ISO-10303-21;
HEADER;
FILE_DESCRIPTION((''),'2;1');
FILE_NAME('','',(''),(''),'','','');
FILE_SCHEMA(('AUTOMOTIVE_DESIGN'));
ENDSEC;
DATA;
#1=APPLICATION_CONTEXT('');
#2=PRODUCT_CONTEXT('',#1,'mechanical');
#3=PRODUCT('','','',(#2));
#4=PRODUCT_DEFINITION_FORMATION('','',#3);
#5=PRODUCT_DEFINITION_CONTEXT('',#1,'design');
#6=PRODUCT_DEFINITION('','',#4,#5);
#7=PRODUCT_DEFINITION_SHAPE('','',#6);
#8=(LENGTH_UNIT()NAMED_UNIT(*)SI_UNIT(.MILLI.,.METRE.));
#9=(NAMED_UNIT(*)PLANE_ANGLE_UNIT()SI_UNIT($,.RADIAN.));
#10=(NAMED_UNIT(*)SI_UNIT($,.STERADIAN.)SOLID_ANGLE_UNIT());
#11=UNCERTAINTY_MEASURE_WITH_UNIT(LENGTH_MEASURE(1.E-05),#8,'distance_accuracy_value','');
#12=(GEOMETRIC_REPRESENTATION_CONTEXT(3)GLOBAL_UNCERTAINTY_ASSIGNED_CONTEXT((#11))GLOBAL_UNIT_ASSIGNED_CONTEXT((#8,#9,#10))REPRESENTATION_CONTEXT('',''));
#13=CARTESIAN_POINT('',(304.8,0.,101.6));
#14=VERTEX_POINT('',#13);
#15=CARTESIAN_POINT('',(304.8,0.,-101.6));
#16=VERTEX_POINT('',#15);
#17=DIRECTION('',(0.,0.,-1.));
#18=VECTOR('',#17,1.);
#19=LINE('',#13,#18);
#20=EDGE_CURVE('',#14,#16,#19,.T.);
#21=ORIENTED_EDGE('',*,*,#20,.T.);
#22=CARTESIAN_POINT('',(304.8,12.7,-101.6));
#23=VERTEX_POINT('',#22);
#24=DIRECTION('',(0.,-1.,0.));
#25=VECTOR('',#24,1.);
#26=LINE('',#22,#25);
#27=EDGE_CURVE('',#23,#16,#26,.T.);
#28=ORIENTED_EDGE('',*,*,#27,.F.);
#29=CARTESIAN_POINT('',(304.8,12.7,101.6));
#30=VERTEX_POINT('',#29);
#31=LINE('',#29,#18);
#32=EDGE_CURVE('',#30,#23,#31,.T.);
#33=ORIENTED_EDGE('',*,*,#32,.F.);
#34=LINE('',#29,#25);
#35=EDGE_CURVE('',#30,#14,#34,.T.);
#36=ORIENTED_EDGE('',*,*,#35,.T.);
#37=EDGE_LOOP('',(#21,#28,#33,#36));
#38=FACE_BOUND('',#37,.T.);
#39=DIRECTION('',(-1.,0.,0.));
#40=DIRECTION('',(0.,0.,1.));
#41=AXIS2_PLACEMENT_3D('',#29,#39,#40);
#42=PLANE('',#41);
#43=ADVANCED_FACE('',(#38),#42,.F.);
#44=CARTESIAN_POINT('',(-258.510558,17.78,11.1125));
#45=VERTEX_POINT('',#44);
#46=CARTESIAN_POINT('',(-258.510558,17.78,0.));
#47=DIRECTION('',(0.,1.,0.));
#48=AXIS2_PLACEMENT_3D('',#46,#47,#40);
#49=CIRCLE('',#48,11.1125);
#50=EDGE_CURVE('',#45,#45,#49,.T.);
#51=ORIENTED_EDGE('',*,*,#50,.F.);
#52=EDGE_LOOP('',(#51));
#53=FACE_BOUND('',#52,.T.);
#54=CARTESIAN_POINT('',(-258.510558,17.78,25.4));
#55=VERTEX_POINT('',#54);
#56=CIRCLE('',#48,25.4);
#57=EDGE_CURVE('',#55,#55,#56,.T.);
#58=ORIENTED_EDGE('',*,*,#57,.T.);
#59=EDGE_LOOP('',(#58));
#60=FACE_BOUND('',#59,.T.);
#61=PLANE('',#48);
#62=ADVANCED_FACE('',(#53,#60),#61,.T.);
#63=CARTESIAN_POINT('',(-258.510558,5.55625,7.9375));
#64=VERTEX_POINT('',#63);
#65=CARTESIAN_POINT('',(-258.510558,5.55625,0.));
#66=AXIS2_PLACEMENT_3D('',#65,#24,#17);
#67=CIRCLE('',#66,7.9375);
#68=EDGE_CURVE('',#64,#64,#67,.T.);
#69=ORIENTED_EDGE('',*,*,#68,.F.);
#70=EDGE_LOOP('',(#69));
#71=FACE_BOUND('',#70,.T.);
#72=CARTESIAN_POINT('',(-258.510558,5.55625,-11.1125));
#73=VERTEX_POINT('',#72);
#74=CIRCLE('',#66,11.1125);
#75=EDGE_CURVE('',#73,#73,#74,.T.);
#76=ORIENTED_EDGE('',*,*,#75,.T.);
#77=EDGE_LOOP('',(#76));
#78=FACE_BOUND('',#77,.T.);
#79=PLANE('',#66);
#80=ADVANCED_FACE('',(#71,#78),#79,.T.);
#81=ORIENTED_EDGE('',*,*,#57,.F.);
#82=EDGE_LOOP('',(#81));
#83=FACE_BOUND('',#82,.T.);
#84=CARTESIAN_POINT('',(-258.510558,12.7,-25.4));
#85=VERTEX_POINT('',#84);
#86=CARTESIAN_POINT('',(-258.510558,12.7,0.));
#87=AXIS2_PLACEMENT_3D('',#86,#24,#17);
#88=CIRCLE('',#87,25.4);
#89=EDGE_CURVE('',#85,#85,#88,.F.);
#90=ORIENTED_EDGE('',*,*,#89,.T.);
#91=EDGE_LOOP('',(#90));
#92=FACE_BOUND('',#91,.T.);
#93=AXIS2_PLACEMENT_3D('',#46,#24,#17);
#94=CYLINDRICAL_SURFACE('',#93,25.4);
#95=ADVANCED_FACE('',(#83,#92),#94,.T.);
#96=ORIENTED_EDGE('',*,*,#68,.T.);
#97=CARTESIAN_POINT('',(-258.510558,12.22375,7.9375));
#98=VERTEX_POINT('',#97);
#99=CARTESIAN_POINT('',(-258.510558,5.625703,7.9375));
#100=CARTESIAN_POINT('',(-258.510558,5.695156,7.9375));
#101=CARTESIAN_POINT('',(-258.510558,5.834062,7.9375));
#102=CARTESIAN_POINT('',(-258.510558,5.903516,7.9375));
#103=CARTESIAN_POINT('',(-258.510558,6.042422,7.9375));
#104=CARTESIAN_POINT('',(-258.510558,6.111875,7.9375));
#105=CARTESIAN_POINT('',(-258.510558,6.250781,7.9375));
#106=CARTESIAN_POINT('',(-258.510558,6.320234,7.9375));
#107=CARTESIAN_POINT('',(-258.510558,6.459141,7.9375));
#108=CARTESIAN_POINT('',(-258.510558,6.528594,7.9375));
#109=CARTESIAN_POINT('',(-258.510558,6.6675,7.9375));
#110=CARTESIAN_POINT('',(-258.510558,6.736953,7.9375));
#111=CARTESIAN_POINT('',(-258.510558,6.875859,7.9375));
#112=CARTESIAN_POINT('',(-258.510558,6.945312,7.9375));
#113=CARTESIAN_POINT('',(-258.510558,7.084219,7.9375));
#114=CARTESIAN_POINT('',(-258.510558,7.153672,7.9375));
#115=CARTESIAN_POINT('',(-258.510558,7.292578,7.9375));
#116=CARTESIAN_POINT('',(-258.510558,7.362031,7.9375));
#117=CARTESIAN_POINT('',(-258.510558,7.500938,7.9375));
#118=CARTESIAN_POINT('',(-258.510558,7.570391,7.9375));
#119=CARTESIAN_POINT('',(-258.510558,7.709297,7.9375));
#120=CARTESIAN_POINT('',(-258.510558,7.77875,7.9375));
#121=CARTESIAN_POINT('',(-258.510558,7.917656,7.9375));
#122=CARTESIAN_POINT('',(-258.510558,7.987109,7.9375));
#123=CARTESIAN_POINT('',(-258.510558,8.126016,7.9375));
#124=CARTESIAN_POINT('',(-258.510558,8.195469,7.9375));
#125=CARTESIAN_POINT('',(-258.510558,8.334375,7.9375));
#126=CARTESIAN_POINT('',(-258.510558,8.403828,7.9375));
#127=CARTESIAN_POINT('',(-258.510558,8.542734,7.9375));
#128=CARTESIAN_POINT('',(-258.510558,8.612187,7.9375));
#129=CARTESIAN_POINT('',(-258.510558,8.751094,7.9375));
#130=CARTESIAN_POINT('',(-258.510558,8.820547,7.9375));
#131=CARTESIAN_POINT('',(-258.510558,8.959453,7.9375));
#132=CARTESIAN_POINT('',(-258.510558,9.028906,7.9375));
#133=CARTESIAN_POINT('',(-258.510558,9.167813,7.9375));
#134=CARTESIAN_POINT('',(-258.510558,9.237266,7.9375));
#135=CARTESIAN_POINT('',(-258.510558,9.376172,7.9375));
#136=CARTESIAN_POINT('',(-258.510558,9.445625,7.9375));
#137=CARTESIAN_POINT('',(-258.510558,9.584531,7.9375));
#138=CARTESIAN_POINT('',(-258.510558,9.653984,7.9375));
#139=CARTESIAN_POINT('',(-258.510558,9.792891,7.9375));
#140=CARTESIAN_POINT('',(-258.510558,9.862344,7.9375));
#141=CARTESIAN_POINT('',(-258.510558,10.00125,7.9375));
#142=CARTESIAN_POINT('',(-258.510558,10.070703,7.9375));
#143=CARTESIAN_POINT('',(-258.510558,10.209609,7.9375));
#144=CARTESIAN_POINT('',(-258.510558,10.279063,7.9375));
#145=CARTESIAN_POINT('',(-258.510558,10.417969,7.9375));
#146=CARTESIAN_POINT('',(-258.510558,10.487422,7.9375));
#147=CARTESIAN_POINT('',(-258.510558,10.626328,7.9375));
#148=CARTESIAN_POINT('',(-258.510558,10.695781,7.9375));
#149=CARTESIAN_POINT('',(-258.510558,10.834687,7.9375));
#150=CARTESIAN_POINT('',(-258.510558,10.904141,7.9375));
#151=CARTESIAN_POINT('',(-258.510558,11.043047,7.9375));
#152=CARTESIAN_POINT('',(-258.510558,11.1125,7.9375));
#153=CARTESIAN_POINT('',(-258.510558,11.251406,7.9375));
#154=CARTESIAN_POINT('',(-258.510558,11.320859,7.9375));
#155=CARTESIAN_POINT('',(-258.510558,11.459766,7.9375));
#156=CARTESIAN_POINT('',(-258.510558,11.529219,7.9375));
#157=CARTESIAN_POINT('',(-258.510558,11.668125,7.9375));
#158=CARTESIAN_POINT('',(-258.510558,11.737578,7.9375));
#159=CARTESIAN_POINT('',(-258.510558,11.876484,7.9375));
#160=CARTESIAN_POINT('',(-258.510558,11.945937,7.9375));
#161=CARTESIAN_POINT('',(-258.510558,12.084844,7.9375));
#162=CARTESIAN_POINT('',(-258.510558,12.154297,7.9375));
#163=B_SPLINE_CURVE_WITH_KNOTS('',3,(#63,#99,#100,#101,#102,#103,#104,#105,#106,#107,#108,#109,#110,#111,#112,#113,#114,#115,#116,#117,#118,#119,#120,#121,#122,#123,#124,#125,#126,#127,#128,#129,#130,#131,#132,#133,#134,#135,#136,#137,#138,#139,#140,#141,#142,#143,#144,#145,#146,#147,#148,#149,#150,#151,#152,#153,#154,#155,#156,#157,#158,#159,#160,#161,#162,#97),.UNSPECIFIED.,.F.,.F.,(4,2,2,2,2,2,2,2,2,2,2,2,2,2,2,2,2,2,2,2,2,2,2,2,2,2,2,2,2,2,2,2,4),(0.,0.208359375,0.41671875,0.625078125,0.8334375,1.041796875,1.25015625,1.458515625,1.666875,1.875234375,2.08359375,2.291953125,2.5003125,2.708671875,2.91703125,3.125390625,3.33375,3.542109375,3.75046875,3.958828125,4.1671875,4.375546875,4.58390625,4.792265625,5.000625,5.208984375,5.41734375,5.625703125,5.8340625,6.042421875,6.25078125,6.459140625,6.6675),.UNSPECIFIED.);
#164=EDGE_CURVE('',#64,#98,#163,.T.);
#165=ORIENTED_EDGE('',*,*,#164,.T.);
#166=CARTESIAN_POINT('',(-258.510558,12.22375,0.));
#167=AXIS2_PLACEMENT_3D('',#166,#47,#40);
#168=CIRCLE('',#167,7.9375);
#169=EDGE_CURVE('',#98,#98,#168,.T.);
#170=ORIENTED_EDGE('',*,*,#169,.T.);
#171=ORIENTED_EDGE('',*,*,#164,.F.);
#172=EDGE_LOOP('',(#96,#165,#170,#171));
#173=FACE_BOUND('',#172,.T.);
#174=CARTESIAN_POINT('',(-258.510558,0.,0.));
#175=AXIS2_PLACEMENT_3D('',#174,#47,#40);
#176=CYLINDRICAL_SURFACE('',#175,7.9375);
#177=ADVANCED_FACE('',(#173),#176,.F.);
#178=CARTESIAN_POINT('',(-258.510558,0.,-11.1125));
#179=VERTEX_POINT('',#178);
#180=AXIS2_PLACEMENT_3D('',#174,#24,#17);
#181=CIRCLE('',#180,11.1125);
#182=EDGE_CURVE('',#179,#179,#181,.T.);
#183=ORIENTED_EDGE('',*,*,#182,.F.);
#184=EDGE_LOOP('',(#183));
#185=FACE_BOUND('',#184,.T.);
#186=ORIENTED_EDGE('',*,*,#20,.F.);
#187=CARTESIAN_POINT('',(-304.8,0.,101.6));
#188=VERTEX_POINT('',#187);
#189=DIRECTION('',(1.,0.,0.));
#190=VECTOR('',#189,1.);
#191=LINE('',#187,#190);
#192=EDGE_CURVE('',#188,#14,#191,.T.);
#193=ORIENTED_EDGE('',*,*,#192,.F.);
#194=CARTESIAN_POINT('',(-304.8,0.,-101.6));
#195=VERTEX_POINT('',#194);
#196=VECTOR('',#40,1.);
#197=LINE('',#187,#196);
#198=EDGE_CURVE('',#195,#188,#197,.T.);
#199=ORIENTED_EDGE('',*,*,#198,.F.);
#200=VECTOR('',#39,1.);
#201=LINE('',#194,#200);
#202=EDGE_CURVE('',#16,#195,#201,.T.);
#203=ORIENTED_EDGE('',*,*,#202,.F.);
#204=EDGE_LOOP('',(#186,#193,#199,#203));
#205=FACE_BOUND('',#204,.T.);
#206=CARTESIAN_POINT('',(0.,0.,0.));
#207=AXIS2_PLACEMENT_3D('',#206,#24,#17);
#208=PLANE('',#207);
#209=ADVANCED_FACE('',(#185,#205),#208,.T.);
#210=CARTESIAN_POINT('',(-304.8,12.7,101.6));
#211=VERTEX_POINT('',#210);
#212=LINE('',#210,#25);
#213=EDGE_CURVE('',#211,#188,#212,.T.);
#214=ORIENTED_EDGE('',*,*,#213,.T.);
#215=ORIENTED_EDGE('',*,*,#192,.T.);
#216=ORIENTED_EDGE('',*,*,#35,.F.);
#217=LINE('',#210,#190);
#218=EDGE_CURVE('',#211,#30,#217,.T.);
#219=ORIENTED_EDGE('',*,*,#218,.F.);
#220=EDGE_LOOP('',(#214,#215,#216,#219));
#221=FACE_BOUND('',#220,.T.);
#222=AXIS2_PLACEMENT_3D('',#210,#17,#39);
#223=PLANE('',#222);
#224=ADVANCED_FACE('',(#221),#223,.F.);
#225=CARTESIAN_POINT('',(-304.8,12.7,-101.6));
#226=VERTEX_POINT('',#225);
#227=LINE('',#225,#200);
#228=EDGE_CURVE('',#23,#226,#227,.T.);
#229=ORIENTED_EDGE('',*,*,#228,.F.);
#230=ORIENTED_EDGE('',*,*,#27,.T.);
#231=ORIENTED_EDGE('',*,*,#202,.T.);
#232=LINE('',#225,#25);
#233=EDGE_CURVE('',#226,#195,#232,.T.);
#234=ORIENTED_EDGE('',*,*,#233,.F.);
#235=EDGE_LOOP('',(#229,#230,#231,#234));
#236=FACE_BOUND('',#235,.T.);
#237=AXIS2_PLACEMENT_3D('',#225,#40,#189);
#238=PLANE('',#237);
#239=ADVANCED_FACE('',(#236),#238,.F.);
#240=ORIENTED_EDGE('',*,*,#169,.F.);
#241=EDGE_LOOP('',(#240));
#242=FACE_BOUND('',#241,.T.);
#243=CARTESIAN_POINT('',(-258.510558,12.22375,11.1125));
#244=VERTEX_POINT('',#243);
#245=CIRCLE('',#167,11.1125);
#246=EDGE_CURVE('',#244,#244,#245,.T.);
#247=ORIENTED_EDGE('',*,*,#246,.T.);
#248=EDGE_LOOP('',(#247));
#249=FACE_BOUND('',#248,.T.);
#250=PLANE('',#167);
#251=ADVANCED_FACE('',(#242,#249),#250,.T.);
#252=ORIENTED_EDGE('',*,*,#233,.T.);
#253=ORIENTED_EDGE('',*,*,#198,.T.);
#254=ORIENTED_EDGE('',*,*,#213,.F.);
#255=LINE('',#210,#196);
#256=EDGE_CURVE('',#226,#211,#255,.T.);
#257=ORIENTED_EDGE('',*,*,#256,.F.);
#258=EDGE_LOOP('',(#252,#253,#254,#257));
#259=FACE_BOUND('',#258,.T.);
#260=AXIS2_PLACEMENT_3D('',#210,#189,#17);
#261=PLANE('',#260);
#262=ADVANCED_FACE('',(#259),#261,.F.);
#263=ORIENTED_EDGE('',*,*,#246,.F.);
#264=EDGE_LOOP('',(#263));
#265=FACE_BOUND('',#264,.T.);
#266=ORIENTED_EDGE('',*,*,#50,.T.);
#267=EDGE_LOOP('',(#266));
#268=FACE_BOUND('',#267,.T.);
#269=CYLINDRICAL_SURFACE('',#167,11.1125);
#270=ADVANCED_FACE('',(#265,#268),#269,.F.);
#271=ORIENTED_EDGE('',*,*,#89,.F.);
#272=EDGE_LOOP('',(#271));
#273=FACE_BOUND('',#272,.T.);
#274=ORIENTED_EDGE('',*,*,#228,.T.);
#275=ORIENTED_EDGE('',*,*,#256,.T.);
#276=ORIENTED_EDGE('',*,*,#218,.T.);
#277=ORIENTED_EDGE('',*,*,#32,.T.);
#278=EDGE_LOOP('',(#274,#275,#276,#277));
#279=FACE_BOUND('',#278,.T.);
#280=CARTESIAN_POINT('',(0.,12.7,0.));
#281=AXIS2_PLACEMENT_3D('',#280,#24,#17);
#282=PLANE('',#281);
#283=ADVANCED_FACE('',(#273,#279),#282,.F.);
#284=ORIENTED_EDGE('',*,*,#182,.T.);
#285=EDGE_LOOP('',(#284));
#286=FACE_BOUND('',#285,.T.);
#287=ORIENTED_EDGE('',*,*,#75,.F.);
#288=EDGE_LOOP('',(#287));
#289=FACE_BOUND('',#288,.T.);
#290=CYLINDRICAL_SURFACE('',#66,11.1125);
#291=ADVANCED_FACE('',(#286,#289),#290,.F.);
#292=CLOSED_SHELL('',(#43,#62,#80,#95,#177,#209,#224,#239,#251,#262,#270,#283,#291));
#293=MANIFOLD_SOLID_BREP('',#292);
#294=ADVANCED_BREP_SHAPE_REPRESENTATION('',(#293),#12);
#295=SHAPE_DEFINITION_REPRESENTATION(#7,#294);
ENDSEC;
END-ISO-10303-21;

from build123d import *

# Parameters (mm, degrees)
SKETCH1_W           = 609.6
SKETCH1_H           = 203.2
BOSS_EXTRUDE1_DEPTH = 12.7
SKETCH2_R           = 25.4
BOSS_EXTRUDE3_DEPTH = 5.08
SKETCH9_R           = 11.1125
CUT_EXTRUDE4_DEPTH  = 5.55625
CUT_EXTRUDE5_START  = -5.55625
SKETCH10_R          = 11.1125
CUT_EXTRUDE5_DEPTH  = 5.55625
SKETCH11_R          = 7.9375
CUT_EXTRUDE6_DEPTH  = 322.519859517


with BuildPart() as part:
    # Sketch1 → Boss-Extrude1 (new body)
    with BuildSketch(Plane(origin=(0, 0, 0), x_dir=(1, 0, 0), z_dir=(0, 1, 0))):
        Rectangle(SKETCH1_W, SKETCH1_H)
    extrude(amount=BOSS_EXTRUDE1_DEPTH)

    # Sketch2 → Boss-Extrude3 (add)
    with BuildSketch(Plane(origin=(0, 12.7, 0), x_dir=(1, 0, 0), z_dir=(0, 1, 0))):
        with Locations(Location((-258.510557857, 0, 0), (0, 0, 90))):
            Circle(SKETCH2_R)
    extrude(amount=BOSS_EXTRUDE3_DEPTH)

    # Sketch9 → Cut-Extrude4 (cut)
    with BuildSketch(Plane(origin=(0, 17.78, 0), x_dir=(1, 0, 0), z_dir=(0, 1, 0))):
        with Locations(Location((-258.510557857, 0, 0), (0, 0, 270))):
            Circle(SKETCH9_R)
    extrude(amount=-CUT_EXTRUDE4_DEPTH, mode=Mode.SUBTRACT)

    # Sketch10 → Cut-Extrude5 (cut)
    with BuildSketch(Plane(origin=(0, 0, 0), x_dir=(-1, 0, 0), z_dir=(0, -1, 0)).offset(CUT_EXTRUDE5_START)):
        with Locations(Location((258.510557857, 0, 0), (0, 0, 270))):
            Circle(SKETCH10_R)
    extrude(amount=CUT_EXTRUDE5_DEPTH, mode=Mode.SUBTRACT)

    # Sketch11 → Cut-Extrude6 (cut, through all)
    with BuildSketch(Plane(origin=(0, 12.22375, 0), x_dir=(1, 0, 0), z_dir=(0, 1, 0))):
        with Locations(Location((-258.510557857, 0, 0), (0, 0, 270))):
            Circle(SKETCH11_R)
    extrude(amount=-CUT_EXTRUDE6_DEPTH, mode=Mode.SUBTRACT)


solid = part.part
